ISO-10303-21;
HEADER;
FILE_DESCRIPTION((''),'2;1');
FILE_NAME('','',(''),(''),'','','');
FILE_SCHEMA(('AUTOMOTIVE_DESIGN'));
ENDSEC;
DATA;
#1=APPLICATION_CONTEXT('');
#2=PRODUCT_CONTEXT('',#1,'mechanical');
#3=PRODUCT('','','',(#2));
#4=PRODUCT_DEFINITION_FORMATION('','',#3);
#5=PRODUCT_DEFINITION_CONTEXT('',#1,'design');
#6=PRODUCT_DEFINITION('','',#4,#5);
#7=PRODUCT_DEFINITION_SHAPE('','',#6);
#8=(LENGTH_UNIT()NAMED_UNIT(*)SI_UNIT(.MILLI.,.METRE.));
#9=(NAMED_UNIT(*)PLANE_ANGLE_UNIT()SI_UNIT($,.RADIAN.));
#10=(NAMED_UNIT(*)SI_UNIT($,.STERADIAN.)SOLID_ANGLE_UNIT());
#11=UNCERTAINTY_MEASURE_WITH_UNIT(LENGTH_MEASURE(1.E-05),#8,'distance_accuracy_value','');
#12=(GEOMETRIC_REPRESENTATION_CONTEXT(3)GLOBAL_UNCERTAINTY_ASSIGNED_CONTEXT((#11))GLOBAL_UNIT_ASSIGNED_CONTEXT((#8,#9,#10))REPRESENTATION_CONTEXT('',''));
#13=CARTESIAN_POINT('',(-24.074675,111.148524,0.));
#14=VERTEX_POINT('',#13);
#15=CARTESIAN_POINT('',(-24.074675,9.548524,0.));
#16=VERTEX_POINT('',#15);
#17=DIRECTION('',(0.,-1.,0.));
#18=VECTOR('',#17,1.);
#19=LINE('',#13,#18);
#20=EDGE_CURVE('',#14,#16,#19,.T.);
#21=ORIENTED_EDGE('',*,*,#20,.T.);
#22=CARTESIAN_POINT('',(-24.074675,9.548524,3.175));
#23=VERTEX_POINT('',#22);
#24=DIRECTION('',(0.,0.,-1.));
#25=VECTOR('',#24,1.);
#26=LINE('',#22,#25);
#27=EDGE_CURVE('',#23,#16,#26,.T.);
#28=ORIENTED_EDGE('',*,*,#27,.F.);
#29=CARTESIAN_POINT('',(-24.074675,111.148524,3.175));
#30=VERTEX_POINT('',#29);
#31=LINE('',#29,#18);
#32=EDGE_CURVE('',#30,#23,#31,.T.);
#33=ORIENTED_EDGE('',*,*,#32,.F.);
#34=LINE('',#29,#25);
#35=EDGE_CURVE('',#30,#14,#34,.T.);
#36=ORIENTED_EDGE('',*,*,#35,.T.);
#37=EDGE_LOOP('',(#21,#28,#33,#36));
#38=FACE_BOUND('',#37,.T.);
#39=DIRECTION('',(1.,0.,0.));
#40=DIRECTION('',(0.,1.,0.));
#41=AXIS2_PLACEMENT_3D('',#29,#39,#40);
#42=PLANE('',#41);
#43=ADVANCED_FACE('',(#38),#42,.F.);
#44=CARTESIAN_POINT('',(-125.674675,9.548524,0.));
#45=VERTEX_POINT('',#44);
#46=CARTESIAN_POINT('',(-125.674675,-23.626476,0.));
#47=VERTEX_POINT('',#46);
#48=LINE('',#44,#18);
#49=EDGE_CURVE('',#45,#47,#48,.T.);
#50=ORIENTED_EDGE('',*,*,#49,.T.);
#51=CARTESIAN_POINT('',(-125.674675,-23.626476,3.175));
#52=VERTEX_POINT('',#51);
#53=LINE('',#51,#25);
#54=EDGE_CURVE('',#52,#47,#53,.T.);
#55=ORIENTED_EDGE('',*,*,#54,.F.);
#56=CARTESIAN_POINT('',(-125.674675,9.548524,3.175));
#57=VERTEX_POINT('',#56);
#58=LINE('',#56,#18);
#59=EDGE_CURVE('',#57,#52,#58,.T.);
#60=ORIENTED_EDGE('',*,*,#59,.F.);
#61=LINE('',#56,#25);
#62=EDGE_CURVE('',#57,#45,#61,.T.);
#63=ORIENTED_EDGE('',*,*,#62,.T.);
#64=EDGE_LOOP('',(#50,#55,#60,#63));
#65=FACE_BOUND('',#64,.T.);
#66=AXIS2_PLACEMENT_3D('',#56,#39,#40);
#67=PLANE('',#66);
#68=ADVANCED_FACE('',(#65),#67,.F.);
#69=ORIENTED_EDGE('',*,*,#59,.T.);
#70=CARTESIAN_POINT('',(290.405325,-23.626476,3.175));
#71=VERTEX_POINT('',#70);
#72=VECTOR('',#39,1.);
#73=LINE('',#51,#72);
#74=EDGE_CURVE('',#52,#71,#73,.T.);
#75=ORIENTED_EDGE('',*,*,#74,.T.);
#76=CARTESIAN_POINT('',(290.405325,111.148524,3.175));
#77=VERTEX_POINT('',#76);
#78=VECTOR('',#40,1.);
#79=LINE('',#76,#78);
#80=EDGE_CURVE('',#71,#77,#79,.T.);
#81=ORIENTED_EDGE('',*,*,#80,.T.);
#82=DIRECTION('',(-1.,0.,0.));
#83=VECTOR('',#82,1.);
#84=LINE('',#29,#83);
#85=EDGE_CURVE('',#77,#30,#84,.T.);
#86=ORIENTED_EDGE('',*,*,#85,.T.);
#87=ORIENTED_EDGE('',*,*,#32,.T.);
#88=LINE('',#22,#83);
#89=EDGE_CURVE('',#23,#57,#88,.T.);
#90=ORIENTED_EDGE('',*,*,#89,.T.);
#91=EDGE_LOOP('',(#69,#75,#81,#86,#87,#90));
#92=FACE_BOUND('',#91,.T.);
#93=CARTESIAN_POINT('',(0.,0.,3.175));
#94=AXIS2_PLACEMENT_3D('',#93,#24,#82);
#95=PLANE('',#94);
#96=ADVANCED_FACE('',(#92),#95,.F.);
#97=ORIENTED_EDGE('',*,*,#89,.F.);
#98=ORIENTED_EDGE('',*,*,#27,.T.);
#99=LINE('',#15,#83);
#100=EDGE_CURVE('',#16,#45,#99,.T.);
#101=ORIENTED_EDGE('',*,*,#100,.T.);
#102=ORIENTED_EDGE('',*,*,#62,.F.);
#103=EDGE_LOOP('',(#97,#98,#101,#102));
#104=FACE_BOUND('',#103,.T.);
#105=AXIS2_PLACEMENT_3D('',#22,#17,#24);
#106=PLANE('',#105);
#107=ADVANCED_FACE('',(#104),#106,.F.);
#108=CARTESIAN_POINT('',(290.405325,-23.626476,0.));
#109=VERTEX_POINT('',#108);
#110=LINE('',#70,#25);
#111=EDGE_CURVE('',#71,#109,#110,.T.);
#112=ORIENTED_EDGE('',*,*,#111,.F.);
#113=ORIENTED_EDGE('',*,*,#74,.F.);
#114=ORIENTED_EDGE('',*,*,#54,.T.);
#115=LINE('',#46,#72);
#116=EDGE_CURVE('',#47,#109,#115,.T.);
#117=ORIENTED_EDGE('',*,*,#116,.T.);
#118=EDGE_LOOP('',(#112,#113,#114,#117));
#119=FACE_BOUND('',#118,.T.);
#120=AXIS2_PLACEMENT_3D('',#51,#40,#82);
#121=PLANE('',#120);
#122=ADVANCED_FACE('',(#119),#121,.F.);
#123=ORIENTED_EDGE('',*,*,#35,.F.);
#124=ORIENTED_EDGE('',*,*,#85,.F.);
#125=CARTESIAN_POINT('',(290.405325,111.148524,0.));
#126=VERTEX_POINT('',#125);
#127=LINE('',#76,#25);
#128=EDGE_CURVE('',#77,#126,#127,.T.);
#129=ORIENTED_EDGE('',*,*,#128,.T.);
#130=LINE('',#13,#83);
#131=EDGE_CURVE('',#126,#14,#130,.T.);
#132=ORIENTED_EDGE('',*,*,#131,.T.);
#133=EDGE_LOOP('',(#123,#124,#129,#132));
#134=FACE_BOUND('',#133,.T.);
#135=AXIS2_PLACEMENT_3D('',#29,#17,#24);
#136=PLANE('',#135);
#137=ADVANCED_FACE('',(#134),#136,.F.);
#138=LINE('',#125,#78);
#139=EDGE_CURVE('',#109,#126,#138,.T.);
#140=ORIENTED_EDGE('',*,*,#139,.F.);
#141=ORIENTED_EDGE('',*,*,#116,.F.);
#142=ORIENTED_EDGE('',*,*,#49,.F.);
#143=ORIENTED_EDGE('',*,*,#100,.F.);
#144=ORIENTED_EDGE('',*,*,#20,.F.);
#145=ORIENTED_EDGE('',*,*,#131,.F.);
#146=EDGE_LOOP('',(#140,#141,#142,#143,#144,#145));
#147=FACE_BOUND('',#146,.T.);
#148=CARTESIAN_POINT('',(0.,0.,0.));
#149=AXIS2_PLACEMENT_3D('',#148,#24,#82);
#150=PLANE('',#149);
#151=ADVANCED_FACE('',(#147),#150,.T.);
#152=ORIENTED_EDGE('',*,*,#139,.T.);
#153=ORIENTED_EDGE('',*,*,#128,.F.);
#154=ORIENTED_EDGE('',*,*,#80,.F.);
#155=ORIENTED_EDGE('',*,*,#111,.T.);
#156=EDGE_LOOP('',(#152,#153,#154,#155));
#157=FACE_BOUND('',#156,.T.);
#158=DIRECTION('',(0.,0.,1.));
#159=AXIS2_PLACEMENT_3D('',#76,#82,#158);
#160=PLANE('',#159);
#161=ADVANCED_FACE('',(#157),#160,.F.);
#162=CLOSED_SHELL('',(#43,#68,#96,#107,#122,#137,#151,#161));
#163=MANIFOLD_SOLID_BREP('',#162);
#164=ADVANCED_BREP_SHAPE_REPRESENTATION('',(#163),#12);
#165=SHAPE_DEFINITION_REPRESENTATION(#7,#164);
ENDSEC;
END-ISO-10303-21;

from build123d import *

# Parameters (mm, degrees)
BOSS_EXTRUDE1_DEPTH = 3.175


with BuildPart() as part:
    # Sketch1 → Boss-Extrude1 (new body)
    with BuildSketch(Plane.XY):
        Polygon((-24.07467481, 111.148523924), (-24.07467481, 9.548523924), (-125.67467481, 9.548523924), (-125.67467481, -23.626476076), (290.40532519, -23.626476076), (290.40532519, 111.148523924), align=None)
    extrude(amount=BOSS_EXTRUDE1_DEPTH)


solid = part.part
